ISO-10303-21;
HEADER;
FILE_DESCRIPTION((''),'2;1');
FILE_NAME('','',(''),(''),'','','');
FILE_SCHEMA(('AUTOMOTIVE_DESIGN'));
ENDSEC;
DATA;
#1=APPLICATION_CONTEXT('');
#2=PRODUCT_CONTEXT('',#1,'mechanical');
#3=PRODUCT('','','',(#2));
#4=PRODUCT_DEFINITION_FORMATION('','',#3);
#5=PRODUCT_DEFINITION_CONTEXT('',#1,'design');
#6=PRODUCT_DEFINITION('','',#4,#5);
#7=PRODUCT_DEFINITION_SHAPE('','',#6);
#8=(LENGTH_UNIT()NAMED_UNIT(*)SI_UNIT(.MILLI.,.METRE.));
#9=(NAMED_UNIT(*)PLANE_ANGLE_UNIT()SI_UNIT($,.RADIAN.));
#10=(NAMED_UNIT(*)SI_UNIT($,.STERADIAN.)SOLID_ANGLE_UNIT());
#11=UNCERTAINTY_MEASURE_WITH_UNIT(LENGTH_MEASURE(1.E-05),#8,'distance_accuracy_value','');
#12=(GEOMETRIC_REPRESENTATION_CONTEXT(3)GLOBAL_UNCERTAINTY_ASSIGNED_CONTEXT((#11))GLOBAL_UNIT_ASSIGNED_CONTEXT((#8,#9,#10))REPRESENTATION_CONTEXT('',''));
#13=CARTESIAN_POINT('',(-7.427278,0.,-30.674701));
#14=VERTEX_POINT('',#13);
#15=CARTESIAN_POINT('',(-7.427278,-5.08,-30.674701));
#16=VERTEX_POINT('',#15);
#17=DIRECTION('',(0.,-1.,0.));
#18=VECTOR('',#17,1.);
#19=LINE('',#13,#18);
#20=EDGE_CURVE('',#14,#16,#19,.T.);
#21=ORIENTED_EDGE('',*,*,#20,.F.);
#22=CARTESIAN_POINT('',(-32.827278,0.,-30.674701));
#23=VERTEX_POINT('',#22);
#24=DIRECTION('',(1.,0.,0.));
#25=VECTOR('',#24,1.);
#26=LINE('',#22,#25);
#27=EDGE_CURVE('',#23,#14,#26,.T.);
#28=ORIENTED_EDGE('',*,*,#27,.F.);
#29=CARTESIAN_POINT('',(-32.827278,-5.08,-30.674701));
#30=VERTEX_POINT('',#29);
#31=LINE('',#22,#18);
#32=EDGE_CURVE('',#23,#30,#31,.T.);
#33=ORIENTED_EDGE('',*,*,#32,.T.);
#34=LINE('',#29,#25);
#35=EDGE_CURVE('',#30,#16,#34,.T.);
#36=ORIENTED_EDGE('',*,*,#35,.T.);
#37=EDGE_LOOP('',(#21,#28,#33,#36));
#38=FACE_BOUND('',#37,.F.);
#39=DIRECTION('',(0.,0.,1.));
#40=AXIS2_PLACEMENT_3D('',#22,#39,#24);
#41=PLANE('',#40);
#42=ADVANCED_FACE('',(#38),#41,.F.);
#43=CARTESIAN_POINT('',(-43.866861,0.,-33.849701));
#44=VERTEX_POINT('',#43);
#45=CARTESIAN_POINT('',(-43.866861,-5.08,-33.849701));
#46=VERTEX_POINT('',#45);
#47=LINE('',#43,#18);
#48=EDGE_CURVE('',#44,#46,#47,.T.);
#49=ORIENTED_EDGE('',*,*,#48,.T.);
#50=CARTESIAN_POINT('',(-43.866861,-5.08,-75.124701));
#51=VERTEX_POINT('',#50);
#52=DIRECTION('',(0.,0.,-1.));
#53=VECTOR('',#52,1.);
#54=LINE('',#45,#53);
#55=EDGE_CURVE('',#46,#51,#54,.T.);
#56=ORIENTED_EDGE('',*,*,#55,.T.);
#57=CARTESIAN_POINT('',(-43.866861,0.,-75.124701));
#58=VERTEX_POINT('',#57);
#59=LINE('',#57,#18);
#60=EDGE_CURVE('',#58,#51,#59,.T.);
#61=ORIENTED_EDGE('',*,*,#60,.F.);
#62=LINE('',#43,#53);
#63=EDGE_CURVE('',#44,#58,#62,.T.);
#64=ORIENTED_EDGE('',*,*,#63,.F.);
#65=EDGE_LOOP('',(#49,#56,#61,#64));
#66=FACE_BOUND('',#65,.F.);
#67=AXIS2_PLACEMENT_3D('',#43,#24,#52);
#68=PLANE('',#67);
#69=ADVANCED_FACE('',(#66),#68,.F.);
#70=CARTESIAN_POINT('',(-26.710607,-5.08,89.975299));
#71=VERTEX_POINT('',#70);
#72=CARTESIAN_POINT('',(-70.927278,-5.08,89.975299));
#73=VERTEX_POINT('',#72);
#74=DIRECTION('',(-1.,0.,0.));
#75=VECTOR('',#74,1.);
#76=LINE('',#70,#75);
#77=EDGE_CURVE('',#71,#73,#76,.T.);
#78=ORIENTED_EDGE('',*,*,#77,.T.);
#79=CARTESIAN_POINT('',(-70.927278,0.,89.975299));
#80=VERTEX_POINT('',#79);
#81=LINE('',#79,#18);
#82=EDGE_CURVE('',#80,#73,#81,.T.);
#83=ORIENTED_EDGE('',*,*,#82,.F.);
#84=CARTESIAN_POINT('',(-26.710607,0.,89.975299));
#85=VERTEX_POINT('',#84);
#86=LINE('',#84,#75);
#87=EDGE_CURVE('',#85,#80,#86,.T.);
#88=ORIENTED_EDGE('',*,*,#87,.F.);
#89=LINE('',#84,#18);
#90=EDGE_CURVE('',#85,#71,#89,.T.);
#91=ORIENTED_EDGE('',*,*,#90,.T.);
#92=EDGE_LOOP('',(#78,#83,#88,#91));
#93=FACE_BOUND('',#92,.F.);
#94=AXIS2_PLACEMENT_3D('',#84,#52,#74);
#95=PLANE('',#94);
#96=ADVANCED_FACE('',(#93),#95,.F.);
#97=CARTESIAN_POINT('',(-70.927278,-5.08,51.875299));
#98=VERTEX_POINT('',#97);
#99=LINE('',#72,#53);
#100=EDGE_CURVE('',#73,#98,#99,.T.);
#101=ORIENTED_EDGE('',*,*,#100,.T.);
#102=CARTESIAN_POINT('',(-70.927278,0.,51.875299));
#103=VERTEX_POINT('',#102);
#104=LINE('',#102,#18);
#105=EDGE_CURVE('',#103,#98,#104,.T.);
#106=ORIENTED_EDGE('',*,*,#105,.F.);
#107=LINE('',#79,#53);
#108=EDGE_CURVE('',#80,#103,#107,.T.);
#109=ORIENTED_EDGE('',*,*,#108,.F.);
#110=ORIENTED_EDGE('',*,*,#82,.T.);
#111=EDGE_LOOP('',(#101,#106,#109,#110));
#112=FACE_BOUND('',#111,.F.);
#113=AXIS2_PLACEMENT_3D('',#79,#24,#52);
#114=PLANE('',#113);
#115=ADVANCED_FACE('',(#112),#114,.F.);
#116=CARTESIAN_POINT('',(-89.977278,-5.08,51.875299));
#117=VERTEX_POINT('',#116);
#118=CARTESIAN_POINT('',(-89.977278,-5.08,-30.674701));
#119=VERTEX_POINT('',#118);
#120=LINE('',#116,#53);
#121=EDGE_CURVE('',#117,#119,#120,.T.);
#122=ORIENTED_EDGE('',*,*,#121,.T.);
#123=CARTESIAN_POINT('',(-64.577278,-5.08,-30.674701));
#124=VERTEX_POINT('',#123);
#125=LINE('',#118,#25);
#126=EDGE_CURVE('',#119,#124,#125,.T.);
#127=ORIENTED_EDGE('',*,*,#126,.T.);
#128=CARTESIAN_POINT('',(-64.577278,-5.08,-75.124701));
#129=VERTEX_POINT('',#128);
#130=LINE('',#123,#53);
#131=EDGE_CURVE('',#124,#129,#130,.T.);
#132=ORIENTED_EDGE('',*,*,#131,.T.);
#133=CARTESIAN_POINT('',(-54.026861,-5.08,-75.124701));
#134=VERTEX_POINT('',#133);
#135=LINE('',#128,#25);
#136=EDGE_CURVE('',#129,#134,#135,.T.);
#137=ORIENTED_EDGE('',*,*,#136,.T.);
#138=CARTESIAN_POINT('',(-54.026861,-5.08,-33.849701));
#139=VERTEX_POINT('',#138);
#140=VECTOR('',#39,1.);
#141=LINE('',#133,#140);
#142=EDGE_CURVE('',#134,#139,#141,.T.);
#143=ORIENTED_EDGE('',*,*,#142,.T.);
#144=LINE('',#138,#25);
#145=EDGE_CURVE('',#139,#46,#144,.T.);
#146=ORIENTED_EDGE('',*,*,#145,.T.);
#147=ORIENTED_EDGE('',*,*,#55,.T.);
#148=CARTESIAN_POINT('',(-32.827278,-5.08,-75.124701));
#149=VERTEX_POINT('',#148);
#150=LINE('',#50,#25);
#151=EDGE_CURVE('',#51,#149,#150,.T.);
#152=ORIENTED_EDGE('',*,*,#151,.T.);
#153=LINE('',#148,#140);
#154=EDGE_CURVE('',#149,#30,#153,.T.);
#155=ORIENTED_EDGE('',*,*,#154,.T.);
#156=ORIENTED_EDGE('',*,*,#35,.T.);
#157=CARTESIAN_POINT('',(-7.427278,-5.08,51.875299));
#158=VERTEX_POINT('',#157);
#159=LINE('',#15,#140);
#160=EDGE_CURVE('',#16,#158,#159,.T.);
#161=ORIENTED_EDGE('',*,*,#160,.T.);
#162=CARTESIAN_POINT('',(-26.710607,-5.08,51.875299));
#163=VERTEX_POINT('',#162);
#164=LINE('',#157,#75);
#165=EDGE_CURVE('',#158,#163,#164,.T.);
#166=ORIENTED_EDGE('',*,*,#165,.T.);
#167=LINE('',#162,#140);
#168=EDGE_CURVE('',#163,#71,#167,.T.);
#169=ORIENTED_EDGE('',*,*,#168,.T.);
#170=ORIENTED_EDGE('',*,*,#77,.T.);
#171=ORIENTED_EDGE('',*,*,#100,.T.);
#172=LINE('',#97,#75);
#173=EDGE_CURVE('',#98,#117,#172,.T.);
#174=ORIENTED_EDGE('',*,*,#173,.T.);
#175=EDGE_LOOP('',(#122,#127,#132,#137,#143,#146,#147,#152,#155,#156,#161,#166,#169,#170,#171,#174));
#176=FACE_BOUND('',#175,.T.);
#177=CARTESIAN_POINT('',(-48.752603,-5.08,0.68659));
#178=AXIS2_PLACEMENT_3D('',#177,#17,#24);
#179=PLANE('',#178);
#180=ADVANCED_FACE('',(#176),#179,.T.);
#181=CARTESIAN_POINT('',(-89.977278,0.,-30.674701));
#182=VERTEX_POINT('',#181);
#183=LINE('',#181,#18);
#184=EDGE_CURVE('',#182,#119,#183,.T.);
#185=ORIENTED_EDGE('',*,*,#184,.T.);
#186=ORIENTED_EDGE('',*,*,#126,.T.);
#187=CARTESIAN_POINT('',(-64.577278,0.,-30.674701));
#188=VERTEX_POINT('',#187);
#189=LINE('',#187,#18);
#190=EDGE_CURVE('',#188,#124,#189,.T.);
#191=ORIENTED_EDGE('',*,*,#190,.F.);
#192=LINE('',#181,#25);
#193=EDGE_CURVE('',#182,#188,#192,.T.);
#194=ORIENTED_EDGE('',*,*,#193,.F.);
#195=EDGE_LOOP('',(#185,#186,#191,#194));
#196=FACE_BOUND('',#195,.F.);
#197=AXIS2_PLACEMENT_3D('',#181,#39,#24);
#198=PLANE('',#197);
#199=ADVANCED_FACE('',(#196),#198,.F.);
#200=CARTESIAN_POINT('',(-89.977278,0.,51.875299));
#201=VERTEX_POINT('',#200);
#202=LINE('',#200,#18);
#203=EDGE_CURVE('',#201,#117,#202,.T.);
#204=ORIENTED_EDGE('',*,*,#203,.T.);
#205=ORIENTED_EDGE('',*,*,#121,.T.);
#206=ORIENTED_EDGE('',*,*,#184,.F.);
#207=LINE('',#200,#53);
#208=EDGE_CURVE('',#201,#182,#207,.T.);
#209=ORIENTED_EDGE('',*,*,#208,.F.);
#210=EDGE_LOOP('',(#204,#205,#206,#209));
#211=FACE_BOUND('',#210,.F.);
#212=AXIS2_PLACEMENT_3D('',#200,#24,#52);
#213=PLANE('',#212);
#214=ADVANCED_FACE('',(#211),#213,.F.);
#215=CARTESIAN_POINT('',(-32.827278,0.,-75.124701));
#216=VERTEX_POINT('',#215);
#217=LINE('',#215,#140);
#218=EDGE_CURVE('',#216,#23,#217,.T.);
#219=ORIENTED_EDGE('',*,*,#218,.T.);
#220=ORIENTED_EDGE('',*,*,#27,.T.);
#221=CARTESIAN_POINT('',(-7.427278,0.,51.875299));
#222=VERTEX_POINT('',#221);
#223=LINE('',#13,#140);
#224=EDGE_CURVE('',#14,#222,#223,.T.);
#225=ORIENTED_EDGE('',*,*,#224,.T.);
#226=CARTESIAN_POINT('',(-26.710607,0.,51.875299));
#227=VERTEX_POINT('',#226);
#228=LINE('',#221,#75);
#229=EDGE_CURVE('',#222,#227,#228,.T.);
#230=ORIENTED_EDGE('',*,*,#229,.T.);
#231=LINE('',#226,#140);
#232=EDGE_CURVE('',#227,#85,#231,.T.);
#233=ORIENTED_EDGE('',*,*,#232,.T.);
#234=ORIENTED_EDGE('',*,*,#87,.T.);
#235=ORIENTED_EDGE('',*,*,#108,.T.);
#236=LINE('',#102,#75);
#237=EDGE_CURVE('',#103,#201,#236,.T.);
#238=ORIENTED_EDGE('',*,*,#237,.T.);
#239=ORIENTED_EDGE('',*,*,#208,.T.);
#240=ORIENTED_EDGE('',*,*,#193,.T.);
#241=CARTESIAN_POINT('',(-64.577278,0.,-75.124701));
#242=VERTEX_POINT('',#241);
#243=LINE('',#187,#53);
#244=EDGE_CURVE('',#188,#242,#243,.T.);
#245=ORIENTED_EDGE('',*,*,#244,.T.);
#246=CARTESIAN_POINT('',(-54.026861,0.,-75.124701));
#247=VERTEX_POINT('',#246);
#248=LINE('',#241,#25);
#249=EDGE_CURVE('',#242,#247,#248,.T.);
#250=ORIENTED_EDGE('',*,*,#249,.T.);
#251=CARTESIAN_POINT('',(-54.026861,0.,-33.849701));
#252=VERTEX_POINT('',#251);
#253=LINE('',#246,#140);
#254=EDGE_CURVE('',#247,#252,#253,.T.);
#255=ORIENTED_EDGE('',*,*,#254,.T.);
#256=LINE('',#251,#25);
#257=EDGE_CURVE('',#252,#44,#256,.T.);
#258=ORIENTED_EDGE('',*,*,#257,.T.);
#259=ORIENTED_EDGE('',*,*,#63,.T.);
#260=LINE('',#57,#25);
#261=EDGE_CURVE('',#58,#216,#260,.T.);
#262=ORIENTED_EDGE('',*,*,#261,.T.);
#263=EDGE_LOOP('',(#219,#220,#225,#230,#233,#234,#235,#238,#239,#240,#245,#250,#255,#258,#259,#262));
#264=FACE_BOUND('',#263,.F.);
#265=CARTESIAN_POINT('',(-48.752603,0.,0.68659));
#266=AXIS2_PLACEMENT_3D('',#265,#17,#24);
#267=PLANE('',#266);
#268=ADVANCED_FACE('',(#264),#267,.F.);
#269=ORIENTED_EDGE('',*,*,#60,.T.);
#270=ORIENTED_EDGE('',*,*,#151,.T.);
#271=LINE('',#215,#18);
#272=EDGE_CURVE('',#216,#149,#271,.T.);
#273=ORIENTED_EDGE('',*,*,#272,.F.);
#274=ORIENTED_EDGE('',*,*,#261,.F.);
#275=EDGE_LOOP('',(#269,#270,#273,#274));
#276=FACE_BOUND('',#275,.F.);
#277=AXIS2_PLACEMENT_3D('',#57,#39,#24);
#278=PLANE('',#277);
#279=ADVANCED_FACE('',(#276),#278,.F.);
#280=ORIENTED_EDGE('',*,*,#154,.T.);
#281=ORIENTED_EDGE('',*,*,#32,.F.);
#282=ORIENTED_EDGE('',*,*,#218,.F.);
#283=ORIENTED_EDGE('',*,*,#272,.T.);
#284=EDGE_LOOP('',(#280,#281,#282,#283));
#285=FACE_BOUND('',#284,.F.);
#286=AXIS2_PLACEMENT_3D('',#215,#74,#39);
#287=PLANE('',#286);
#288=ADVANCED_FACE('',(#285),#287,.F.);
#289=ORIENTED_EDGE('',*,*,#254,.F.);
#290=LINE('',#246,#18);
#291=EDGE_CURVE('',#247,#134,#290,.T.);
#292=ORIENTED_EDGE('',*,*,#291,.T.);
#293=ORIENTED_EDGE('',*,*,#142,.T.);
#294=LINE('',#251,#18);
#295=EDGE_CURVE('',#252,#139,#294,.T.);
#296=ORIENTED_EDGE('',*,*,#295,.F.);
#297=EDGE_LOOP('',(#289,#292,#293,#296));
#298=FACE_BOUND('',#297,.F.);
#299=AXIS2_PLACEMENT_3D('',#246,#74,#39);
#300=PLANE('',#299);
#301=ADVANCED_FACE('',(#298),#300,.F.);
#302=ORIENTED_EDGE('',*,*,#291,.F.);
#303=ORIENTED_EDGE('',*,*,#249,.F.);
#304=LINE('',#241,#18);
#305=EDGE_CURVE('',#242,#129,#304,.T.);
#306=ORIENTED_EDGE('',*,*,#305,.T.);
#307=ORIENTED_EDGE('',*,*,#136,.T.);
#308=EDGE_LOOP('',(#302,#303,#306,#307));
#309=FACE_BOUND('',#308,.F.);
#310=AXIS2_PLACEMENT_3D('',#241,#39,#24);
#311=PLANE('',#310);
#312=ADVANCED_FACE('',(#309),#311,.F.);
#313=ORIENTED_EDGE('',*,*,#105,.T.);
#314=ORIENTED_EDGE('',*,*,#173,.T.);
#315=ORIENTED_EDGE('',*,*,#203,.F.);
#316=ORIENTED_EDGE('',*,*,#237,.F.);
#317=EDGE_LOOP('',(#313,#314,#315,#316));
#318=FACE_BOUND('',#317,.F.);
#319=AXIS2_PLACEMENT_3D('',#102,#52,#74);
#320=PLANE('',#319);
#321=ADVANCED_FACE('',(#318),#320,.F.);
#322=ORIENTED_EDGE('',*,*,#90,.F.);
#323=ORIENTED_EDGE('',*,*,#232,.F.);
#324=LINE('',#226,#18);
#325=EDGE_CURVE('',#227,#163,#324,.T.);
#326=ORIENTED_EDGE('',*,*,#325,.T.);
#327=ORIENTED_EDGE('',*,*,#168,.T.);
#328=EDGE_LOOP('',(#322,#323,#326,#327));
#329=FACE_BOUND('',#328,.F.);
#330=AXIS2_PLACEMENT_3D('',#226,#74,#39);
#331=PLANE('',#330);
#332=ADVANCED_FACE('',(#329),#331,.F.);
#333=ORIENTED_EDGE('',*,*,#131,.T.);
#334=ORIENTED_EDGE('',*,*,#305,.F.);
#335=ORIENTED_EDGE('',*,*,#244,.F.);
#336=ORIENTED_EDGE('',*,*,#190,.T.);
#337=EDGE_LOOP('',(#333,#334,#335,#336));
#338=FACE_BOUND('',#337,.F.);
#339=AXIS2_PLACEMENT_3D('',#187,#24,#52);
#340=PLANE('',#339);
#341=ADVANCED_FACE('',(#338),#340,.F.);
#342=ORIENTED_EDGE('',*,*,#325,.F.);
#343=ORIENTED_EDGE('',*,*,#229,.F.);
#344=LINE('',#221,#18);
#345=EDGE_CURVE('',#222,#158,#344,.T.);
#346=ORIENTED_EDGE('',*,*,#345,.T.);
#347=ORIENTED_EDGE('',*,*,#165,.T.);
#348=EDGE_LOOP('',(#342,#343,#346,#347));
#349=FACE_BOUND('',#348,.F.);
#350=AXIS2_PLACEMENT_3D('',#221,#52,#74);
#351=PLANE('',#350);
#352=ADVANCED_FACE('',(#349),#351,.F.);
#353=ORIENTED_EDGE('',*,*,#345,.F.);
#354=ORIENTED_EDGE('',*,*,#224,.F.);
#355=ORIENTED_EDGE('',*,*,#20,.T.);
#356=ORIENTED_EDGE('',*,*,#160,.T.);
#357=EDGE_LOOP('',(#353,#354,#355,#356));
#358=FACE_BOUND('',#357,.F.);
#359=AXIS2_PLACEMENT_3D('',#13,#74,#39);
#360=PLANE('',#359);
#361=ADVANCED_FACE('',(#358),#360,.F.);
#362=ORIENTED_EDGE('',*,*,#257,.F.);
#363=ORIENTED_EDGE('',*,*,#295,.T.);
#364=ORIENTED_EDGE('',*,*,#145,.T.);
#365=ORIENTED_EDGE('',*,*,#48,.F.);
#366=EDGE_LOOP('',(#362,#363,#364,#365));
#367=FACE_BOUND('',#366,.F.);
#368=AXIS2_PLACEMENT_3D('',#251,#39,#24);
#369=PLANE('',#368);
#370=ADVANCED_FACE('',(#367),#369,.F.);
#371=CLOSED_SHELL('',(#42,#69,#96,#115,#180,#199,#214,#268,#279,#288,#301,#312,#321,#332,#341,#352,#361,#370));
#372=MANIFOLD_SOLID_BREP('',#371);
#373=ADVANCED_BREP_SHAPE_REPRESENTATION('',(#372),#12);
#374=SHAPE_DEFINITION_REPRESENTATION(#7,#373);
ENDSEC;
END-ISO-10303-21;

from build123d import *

# Parameters (mm, degrees)
F1_DEPTH = 5.08


with BuildPart() as f1:
    # F0 (on Front) → F1 (new body)
    with BuildSketch(Plane.XZ):
        Polygon((-70.927278, 51.875299), (-89.977278, 51.875299), (-89.977278, -30.674701), (-64.577278, -30.674701), (-64.577278, -75.124701), (-54.026861, -75.124701), (-54.026861, -33.849701), (-43.866861, -33.849701), (-43.866861, -75.124701), (-32.827278, -75.124701), (-32.827278, -30.674701), (-7.427278, -30.674701), (-7.427278, 51.875299), (-26.477278, 51.875299), (-26.710607, 51.875299), (-26.710607, 89.975299), (-70.927278, 89.975299), align=None)
    extrude(amount=F1_DEPTH)


solid = f1.part
